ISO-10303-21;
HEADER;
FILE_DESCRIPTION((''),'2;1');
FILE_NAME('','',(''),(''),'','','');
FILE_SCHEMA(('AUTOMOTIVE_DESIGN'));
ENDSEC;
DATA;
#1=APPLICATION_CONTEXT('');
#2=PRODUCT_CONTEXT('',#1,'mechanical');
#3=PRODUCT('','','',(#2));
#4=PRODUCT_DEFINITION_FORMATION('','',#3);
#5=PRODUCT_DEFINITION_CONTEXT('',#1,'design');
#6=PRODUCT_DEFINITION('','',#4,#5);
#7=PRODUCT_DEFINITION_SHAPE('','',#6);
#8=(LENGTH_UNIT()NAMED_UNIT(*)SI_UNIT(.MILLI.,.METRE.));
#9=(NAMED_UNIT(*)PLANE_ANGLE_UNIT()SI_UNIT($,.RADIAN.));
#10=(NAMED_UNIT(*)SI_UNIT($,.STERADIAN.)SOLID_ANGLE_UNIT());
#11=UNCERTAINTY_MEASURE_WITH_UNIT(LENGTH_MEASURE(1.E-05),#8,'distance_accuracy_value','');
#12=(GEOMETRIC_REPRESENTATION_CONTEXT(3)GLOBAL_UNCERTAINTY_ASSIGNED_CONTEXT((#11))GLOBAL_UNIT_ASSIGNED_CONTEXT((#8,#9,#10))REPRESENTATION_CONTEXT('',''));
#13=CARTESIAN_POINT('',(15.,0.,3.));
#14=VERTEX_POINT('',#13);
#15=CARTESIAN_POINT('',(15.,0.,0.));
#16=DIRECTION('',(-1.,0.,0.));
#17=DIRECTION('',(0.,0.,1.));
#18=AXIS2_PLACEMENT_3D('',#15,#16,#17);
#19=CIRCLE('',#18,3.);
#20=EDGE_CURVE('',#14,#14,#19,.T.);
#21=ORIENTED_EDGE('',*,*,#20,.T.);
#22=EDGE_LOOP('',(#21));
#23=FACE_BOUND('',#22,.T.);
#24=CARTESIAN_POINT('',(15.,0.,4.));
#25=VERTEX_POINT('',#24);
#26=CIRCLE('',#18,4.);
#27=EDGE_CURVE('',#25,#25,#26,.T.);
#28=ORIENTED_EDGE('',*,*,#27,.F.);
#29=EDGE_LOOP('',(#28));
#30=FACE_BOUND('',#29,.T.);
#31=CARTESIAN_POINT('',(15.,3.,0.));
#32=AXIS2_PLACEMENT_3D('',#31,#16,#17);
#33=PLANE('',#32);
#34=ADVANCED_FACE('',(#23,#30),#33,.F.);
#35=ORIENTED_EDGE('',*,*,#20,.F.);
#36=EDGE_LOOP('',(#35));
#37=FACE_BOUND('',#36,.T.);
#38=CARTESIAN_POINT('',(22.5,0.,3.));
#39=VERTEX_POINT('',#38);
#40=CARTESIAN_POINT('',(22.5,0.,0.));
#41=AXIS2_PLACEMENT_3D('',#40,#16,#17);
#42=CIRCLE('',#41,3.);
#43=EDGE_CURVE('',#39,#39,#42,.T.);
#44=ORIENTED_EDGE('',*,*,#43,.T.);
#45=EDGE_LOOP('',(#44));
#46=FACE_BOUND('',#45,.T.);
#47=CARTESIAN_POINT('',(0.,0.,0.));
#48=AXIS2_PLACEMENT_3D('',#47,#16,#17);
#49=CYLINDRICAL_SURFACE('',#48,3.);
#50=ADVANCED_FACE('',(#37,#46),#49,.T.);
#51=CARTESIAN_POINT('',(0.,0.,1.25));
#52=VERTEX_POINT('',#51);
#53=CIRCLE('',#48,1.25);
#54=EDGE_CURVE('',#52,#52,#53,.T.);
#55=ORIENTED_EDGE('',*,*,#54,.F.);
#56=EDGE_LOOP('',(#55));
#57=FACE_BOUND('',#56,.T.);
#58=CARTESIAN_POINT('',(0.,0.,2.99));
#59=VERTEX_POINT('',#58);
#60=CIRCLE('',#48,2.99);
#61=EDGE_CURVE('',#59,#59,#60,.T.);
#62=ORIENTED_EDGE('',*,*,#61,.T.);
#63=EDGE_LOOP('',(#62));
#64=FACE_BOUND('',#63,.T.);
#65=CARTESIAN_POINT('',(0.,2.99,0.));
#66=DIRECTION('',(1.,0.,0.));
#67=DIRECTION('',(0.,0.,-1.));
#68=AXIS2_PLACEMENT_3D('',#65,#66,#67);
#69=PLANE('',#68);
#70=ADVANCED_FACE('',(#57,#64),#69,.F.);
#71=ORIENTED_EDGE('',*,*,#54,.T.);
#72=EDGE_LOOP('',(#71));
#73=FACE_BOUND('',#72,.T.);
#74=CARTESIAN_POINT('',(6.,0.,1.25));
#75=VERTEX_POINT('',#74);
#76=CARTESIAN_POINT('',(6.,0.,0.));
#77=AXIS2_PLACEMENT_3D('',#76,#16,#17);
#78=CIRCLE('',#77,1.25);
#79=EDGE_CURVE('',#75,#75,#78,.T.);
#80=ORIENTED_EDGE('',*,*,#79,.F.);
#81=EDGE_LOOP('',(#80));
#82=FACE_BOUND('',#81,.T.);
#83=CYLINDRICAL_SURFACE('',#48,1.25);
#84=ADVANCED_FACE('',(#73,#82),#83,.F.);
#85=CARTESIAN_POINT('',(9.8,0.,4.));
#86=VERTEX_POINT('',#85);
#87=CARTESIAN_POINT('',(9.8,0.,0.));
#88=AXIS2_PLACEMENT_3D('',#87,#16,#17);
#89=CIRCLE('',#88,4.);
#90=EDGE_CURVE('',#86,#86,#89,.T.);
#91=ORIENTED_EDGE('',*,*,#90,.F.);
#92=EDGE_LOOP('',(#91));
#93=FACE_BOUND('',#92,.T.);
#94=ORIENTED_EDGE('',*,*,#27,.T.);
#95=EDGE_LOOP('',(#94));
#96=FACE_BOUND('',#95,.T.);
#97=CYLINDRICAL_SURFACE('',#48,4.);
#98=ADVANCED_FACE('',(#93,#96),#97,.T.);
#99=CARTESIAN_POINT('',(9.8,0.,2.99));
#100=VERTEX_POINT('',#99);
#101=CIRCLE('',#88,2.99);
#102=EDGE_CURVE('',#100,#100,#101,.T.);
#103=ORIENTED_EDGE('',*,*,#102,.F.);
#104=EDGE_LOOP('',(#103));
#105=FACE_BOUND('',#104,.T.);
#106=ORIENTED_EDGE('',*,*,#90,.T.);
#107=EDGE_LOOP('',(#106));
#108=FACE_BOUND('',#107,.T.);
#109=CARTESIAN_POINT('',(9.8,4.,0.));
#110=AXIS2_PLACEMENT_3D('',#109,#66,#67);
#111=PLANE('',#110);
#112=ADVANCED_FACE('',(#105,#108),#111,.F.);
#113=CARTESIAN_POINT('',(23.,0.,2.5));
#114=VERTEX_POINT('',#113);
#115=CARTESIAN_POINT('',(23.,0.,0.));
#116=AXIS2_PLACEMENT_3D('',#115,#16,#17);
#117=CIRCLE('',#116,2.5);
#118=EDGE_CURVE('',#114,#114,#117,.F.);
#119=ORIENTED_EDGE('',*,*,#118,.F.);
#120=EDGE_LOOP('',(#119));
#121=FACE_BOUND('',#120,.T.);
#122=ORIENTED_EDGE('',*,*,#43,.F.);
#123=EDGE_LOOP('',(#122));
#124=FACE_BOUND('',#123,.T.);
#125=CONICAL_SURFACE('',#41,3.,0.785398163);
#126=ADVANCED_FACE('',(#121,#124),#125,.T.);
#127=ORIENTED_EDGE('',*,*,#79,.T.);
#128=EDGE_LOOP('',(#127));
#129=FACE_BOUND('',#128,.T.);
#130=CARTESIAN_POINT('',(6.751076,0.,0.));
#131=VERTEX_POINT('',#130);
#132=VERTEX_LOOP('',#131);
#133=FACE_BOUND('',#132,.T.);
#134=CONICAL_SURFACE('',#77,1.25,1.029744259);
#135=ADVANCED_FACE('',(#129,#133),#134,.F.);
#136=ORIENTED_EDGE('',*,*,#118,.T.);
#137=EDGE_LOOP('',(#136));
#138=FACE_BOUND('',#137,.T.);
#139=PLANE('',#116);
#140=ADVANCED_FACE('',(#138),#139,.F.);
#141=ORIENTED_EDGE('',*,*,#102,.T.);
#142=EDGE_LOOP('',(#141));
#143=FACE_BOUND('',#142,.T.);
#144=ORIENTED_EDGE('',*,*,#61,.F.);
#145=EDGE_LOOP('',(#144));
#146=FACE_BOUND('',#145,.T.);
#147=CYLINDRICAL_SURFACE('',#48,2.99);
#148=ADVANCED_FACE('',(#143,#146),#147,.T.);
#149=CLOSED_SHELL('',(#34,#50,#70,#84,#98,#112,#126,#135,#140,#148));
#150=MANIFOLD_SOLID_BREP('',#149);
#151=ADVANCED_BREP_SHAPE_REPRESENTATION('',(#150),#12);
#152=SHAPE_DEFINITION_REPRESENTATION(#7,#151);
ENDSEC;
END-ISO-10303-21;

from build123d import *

# Parameters (mm, degrees)
CHAMFER1_SIZE                   = 0.5
TAP_DRILL_FOR_M3X0_5_TAP1_D     = 2.5
TAP_DRILL_FOR_M3X0_5_TAP1_DEPTH = 6
TAP_DRILL_FOR_M3X0_5_TAP1_TIP   = 0.751075774


with BuildPart() as part:
    # Sketch1 → Revolve1 (revolve)
    with BuildSketch(Plane.XY):
        Polygon((0, 0), (23, 0), (23, 3), (15, 3), (15, 4), (9.8, 4), (9.8, 2.99), (0, 2.99), align=None)
    revolve(axis=Axis((0, 0, 0), (1, 0, 0)))

    # Chamfer1
    chamfer1_edges = [part.edges().sort_by_distance(p)[0] for p in [
        (23, -3, 0),
    ]]
    chamfer(chamfer1_edges, length=CHAMFER1_SIZE)

    # Tap Drill for M3x0.5 Tap1
    with Locations(Plane.ZY):
        with Locations((0, 0)):
            Hole(TAP_DRILL_FOR_M3X0_5_TAP1_D / 2, depth=TAP_DRILL_FOR_M3X0_5_TAP1_DEPTH)
            with Locations((0, 0, -(TAP_DRILL_FOR_M3X0_5_TAP1_DEPTH + TAP_DRILL_FOR_M3X0_5_TAP1_TIP / 2))):  # 118° drill point
                Cone(0, TAP_DRILL_FOR_M3X0_5_TAP1_D / 2, TAP_DRILL_FOR_M3X0_5_TAP1_TIP, mode=Mode.SUBTRACT)


solid = part.part
